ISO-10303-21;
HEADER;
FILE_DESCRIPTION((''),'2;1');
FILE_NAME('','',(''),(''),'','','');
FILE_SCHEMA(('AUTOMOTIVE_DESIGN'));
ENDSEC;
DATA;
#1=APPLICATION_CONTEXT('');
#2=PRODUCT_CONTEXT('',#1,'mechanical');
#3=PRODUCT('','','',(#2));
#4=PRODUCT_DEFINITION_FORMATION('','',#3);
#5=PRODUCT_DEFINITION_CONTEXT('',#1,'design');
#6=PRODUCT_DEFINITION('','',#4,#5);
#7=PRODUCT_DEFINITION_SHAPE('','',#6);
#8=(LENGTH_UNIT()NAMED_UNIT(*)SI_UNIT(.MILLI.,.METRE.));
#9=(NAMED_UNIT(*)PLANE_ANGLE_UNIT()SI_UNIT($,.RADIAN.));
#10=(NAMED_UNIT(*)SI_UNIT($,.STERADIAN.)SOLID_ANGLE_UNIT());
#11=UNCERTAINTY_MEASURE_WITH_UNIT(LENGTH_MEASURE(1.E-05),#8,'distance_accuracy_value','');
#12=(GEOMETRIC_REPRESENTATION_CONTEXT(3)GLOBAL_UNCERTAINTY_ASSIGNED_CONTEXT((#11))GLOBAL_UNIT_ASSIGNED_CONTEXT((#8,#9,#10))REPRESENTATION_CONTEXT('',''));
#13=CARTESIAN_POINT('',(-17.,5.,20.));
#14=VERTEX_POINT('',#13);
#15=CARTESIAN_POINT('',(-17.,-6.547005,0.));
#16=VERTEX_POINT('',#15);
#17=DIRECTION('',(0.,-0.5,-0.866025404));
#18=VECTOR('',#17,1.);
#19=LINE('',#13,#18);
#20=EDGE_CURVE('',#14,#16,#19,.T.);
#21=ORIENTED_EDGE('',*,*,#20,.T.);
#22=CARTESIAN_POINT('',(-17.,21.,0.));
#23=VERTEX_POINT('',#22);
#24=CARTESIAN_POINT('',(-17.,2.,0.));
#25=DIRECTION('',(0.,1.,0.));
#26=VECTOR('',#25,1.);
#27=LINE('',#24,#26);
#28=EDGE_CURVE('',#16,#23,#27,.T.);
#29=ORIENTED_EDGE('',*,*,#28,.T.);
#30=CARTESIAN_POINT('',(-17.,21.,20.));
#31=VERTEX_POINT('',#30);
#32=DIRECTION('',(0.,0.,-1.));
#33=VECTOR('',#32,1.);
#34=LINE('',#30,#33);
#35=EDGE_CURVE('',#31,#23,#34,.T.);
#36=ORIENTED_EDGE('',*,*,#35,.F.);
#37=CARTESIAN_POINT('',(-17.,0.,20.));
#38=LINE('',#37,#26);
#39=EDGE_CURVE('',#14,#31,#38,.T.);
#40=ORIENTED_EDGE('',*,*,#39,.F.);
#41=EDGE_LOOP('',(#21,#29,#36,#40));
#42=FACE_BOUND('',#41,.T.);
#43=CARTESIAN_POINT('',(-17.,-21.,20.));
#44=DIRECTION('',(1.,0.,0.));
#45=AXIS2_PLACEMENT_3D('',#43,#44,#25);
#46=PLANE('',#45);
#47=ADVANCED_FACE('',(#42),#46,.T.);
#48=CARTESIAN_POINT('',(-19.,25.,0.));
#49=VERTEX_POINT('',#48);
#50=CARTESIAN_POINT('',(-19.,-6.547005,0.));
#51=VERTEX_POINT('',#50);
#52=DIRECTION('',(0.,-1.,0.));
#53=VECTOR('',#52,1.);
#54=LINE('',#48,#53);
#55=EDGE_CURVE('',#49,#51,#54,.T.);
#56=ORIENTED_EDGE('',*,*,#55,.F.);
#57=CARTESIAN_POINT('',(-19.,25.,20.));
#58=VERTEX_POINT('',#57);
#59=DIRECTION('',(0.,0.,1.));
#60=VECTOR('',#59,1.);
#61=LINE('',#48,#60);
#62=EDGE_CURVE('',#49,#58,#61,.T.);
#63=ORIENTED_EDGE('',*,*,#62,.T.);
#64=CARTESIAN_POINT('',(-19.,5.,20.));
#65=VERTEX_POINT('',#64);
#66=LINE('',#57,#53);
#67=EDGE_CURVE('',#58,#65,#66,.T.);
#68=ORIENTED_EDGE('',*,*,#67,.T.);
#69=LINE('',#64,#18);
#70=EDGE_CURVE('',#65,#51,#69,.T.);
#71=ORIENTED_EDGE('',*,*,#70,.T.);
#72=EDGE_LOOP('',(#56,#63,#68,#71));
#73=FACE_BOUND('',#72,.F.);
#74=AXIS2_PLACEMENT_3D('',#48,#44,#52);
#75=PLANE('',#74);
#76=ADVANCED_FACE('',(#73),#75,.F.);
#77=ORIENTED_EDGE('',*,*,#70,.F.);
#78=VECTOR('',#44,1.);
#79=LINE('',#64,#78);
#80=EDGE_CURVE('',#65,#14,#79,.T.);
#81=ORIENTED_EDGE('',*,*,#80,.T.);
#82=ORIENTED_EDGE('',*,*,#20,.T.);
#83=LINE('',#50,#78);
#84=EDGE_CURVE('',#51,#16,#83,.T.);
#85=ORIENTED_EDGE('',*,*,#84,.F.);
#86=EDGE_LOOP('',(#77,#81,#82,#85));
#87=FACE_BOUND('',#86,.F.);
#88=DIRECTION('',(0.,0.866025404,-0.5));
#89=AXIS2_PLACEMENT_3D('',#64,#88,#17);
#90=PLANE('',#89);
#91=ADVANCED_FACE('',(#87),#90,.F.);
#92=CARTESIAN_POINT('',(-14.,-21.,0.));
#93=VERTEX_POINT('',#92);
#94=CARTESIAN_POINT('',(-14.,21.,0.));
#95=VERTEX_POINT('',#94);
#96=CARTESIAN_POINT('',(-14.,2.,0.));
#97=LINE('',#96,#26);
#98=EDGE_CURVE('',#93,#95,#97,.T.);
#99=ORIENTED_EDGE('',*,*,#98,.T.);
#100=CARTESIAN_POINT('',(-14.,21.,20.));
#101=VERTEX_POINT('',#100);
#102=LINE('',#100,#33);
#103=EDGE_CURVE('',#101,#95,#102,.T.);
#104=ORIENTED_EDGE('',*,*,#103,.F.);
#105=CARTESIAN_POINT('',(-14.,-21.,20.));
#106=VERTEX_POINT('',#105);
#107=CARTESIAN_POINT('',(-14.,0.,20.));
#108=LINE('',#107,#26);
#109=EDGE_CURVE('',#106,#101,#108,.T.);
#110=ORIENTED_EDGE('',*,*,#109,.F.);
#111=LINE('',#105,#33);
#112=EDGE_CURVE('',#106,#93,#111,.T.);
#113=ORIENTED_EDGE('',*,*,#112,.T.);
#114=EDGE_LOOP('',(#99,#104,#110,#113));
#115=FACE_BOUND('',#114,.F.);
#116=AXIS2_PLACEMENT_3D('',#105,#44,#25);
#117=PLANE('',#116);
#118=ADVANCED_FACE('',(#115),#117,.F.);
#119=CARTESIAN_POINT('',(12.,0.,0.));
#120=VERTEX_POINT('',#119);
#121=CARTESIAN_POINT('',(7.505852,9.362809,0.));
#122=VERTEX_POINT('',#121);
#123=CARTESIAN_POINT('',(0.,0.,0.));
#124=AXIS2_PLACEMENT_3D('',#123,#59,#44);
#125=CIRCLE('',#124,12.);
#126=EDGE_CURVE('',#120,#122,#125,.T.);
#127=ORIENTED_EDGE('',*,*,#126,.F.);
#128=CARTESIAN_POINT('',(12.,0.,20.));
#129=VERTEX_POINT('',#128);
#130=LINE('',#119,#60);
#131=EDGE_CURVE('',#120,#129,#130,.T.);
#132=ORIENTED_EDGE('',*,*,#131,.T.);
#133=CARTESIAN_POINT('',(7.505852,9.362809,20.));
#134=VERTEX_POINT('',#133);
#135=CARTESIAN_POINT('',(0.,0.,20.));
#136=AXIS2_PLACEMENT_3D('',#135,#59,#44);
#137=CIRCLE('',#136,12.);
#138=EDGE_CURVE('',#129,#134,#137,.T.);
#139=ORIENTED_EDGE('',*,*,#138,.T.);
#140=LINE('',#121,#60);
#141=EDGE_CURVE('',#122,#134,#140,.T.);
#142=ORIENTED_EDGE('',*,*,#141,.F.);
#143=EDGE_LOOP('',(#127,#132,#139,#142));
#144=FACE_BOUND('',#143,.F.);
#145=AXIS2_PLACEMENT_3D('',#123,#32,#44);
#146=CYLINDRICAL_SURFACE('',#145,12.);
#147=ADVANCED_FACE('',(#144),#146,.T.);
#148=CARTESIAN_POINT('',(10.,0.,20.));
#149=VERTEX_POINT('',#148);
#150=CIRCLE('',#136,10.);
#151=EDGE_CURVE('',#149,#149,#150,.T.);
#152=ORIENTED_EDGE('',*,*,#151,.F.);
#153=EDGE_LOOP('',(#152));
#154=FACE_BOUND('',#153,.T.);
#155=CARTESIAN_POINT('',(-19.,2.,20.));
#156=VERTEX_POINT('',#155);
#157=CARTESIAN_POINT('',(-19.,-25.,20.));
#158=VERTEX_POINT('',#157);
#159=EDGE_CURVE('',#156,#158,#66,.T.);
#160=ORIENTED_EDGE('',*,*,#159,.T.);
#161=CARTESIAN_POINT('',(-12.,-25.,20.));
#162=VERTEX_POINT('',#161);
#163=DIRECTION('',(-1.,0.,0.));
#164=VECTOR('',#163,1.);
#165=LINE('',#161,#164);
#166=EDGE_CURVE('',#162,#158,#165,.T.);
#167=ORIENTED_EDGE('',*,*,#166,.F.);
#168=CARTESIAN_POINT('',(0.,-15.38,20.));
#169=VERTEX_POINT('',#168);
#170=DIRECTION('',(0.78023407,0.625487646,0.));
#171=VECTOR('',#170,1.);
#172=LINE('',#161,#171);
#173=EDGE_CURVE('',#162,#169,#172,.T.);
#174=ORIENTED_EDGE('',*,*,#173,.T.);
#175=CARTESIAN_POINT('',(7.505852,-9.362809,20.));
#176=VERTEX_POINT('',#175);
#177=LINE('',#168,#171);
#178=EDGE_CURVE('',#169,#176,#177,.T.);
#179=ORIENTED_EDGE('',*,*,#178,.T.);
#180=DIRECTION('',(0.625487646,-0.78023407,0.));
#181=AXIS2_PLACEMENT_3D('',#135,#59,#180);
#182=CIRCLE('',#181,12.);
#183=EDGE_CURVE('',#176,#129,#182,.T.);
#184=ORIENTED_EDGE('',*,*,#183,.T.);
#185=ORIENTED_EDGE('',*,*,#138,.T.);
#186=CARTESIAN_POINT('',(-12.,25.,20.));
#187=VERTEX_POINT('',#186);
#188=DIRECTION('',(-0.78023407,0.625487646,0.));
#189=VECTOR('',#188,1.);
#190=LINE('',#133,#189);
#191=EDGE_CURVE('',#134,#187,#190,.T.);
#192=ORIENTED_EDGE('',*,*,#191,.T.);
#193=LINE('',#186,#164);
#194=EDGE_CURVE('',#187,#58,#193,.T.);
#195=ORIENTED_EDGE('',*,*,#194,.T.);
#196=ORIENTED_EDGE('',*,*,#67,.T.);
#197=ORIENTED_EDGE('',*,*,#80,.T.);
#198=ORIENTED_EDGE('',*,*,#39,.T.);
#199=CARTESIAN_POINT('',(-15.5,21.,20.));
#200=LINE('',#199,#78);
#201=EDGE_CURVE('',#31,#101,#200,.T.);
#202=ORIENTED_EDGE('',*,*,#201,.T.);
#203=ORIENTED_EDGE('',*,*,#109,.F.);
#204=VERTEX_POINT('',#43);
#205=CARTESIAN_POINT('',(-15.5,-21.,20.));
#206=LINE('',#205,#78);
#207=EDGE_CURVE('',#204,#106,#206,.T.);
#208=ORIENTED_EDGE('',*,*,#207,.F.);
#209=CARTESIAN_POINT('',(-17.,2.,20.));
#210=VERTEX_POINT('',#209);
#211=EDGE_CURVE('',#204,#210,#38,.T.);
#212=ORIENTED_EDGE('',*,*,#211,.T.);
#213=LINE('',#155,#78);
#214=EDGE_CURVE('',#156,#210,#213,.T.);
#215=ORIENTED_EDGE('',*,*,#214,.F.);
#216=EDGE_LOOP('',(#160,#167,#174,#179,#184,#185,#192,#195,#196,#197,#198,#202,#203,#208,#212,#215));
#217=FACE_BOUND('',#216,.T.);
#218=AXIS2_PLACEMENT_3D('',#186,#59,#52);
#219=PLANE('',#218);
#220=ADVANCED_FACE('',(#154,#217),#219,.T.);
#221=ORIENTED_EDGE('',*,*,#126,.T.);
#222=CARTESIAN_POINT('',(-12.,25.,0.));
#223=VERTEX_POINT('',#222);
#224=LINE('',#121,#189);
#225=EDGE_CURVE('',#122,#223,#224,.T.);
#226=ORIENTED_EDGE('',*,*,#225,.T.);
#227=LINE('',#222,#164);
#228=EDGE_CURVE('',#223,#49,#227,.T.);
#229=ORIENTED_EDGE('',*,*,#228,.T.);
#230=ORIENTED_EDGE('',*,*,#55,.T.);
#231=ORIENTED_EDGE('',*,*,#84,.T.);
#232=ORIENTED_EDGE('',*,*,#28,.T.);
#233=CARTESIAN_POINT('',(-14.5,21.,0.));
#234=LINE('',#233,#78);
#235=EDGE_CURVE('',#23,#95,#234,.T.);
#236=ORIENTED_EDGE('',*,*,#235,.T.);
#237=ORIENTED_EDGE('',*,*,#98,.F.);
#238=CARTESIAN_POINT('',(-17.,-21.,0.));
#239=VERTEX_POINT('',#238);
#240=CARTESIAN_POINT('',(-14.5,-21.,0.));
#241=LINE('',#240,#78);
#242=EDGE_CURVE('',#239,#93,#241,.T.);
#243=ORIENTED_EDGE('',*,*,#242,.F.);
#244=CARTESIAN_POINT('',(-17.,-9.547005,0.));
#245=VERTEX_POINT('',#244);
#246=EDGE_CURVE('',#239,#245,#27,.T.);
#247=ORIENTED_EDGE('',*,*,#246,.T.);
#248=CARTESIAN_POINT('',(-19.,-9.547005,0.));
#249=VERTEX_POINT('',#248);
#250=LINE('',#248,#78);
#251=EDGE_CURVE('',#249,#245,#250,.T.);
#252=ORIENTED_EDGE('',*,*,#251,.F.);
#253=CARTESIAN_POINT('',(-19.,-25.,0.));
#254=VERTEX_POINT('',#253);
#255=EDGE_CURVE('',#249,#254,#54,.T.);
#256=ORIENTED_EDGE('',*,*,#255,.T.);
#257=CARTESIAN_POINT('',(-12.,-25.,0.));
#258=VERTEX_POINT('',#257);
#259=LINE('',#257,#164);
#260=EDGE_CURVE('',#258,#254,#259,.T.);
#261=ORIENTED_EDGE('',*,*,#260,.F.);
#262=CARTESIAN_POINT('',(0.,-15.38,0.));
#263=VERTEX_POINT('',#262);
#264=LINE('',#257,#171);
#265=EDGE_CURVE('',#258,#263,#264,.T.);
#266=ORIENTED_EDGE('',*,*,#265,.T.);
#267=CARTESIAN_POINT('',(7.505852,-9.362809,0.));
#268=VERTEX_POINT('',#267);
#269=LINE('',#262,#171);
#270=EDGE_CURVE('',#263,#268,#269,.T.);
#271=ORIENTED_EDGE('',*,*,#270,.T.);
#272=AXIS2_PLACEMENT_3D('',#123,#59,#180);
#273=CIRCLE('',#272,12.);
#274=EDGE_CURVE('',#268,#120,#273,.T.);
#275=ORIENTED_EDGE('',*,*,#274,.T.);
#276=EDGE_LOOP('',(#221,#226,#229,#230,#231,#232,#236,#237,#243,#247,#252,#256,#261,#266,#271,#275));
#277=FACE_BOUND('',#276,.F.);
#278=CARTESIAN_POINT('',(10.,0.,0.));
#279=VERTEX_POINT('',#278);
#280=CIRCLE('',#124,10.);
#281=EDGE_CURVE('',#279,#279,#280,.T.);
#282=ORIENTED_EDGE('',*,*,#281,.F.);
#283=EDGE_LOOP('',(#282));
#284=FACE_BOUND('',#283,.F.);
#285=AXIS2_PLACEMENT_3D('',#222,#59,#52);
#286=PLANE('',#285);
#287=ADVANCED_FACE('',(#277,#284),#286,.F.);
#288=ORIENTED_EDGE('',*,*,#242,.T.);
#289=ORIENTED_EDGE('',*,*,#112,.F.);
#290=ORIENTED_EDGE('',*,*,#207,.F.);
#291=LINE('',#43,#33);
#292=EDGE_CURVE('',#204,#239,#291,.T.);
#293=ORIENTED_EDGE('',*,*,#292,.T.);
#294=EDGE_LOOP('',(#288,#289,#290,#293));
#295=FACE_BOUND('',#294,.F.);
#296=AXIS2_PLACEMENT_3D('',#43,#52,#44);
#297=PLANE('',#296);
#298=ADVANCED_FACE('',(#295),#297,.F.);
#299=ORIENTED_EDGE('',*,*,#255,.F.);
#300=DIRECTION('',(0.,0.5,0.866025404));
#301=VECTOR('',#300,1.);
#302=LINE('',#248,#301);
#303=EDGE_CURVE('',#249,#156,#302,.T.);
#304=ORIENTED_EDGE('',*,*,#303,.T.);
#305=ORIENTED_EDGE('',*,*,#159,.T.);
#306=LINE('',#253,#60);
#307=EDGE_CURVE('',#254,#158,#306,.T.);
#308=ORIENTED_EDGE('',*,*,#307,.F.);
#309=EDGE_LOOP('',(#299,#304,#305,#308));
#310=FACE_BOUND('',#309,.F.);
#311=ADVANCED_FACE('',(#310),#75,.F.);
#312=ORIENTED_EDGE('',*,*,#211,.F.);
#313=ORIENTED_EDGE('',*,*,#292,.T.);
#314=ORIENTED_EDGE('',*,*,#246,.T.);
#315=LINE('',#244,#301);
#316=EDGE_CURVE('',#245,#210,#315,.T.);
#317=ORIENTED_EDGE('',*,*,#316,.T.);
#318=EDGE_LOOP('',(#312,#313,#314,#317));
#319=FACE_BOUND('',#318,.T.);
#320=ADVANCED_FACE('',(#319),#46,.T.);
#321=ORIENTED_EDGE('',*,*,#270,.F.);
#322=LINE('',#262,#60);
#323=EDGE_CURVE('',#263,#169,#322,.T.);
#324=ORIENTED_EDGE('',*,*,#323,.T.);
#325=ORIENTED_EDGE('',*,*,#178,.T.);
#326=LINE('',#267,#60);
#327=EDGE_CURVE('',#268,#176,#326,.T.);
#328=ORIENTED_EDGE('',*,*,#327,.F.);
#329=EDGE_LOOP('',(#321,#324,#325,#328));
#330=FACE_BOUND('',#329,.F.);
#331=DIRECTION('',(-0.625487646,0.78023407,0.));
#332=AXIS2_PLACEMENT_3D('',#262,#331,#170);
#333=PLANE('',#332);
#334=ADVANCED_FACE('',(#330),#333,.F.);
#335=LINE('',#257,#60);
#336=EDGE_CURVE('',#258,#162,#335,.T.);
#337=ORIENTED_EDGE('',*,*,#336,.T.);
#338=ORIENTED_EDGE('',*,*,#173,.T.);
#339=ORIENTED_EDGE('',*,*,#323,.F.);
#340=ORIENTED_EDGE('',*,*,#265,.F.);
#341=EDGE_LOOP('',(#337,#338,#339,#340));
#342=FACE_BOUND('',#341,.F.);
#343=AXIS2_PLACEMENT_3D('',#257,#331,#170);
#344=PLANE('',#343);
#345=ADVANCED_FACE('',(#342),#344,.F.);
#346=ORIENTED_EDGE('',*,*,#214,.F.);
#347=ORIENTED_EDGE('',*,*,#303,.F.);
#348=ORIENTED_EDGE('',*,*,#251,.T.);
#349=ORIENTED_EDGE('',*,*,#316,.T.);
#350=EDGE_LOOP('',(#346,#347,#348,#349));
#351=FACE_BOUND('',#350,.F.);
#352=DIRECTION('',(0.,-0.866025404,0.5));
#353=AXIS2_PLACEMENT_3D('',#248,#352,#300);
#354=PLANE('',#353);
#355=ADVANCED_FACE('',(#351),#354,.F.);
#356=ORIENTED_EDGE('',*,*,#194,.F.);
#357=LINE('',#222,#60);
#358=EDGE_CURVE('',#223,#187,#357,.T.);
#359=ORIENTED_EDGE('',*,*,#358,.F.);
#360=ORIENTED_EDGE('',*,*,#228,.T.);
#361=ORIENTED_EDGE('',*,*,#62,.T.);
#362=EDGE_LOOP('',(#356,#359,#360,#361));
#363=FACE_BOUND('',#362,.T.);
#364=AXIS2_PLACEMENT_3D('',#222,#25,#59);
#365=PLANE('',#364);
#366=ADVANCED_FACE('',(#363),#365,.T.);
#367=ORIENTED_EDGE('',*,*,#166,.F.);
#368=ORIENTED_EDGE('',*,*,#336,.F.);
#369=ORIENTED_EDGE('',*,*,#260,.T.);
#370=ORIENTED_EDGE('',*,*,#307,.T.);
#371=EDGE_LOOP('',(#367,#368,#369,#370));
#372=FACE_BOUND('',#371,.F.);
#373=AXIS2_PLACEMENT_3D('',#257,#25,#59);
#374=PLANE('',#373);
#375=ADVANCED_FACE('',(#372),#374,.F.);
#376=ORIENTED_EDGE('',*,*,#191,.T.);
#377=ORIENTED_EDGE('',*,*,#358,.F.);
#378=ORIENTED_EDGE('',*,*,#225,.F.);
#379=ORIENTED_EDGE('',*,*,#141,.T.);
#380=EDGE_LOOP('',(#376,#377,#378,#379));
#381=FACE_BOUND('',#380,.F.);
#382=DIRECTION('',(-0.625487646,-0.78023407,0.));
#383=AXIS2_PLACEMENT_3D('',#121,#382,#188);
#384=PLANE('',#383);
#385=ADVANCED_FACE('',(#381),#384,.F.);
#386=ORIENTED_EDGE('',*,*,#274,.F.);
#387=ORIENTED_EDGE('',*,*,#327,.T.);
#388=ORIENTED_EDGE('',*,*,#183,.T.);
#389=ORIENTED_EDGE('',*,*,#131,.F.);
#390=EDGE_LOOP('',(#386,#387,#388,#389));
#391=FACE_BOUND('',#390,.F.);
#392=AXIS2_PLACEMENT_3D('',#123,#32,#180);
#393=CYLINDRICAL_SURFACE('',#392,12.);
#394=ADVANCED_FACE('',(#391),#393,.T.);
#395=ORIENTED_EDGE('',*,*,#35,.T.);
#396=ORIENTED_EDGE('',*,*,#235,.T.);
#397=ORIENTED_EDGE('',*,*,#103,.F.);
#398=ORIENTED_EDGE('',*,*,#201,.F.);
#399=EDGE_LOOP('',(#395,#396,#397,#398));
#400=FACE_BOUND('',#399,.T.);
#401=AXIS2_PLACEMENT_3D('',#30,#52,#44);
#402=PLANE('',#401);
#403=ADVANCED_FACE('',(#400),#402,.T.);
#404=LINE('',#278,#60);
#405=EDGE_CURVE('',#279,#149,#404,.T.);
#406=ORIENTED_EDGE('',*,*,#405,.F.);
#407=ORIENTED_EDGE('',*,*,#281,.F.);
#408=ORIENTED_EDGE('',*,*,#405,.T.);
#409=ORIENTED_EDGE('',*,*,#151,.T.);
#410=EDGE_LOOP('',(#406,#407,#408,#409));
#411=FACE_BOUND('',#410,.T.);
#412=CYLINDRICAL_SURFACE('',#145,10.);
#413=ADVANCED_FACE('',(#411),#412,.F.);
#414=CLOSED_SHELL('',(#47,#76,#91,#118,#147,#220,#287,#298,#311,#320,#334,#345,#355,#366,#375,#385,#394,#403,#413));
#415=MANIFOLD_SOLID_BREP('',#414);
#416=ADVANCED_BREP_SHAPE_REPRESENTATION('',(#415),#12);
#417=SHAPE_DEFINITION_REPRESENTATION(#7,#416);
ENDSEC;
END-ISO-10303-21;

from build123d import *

# Parameters (mm, degrees)
F0_R     = 10
F1_DEPTH = 20
F2_DEPTH = 7
F3_W     = 3
F3_H     = 42
F4_DEPTH = 20.001
F6_DEPTH = 2


with BuildPart() as f1:
    # F0 (on Top) → F1 (new body)
    with BuildSketch(Plane.XY):
        with BuildLine():
            ThreePointArc((-12, 0), (-5.192772811, 10.8182766896), (7.5058517555, 9.3628088427))
            Line((7.5058517555, 9.3628088427), (-12, 25))
            Line((-12, 25), (-12, 0))
        make_face()
        with BuildLine():
            ThreePointArc((7.5058517555, -9.3628088427), (10.8182766896, -5.192772811), (12, 0))
            ThreePointArc((12, 0), (10.8182766896, 5.192772811), (7.5058517555, 9.3628088427))
            ThreePointArc((7.5058517555, 9.3628088427), (-5.192772811, 10.8182766896), (-12, 0))
            ThreePointArc((-12, 0), (-5.192772811, -10.8182766896), (7.5058517555, -9.3628088427))
        make_face()
        Circle(F0_R, mode=Mode.SUBTRACT)
        with BuildLine():
            Line((0, -15.38), (7.5058517555, -9.3628088427))
            ThreePointArc((7.5058517555, -9.3628088427), (-5.192772811, -10.8182766896), (-12, 0))
            Line((-12, 0), (-12, -25))
            Line((-12, -25), (0, -15.38))
        make_face()
    extrude(amount=F1_DEPTH)

    # F2 (add): a face of the model
    f2_faces = [f1.faces().sort_by_distance(p)[0] for p in [
        (-12, 0, 10),
    ]]
    extrude(f2_faces, amount=F2_DEPTH)

    # F3 (on face) → F4 (cut, through all)
    with BuildSketch(Plane.XY.offset(20)):
        with Locations((-15.5, 0)):
            Rectangle(F3_W, F3_H)
    extrude(amount=-F4_DEPTH, mode=Mode.SUBTRACT)

    # F5 (on face) → F6 (cut, through all)
    with BuildSketch(Plane(origin=(-19, 0, 0), x_dir=(0, -1, 0), z_dir=(-1, 0, 0))):
        Polygon((6.5470053838, 0), (9.5470053838, 0), (-2, 20), (-5, 20), align=None)
    extrude(amount=-F6_DEPTH, mode=Mode.SUBTRACT)


solid = f1.part
